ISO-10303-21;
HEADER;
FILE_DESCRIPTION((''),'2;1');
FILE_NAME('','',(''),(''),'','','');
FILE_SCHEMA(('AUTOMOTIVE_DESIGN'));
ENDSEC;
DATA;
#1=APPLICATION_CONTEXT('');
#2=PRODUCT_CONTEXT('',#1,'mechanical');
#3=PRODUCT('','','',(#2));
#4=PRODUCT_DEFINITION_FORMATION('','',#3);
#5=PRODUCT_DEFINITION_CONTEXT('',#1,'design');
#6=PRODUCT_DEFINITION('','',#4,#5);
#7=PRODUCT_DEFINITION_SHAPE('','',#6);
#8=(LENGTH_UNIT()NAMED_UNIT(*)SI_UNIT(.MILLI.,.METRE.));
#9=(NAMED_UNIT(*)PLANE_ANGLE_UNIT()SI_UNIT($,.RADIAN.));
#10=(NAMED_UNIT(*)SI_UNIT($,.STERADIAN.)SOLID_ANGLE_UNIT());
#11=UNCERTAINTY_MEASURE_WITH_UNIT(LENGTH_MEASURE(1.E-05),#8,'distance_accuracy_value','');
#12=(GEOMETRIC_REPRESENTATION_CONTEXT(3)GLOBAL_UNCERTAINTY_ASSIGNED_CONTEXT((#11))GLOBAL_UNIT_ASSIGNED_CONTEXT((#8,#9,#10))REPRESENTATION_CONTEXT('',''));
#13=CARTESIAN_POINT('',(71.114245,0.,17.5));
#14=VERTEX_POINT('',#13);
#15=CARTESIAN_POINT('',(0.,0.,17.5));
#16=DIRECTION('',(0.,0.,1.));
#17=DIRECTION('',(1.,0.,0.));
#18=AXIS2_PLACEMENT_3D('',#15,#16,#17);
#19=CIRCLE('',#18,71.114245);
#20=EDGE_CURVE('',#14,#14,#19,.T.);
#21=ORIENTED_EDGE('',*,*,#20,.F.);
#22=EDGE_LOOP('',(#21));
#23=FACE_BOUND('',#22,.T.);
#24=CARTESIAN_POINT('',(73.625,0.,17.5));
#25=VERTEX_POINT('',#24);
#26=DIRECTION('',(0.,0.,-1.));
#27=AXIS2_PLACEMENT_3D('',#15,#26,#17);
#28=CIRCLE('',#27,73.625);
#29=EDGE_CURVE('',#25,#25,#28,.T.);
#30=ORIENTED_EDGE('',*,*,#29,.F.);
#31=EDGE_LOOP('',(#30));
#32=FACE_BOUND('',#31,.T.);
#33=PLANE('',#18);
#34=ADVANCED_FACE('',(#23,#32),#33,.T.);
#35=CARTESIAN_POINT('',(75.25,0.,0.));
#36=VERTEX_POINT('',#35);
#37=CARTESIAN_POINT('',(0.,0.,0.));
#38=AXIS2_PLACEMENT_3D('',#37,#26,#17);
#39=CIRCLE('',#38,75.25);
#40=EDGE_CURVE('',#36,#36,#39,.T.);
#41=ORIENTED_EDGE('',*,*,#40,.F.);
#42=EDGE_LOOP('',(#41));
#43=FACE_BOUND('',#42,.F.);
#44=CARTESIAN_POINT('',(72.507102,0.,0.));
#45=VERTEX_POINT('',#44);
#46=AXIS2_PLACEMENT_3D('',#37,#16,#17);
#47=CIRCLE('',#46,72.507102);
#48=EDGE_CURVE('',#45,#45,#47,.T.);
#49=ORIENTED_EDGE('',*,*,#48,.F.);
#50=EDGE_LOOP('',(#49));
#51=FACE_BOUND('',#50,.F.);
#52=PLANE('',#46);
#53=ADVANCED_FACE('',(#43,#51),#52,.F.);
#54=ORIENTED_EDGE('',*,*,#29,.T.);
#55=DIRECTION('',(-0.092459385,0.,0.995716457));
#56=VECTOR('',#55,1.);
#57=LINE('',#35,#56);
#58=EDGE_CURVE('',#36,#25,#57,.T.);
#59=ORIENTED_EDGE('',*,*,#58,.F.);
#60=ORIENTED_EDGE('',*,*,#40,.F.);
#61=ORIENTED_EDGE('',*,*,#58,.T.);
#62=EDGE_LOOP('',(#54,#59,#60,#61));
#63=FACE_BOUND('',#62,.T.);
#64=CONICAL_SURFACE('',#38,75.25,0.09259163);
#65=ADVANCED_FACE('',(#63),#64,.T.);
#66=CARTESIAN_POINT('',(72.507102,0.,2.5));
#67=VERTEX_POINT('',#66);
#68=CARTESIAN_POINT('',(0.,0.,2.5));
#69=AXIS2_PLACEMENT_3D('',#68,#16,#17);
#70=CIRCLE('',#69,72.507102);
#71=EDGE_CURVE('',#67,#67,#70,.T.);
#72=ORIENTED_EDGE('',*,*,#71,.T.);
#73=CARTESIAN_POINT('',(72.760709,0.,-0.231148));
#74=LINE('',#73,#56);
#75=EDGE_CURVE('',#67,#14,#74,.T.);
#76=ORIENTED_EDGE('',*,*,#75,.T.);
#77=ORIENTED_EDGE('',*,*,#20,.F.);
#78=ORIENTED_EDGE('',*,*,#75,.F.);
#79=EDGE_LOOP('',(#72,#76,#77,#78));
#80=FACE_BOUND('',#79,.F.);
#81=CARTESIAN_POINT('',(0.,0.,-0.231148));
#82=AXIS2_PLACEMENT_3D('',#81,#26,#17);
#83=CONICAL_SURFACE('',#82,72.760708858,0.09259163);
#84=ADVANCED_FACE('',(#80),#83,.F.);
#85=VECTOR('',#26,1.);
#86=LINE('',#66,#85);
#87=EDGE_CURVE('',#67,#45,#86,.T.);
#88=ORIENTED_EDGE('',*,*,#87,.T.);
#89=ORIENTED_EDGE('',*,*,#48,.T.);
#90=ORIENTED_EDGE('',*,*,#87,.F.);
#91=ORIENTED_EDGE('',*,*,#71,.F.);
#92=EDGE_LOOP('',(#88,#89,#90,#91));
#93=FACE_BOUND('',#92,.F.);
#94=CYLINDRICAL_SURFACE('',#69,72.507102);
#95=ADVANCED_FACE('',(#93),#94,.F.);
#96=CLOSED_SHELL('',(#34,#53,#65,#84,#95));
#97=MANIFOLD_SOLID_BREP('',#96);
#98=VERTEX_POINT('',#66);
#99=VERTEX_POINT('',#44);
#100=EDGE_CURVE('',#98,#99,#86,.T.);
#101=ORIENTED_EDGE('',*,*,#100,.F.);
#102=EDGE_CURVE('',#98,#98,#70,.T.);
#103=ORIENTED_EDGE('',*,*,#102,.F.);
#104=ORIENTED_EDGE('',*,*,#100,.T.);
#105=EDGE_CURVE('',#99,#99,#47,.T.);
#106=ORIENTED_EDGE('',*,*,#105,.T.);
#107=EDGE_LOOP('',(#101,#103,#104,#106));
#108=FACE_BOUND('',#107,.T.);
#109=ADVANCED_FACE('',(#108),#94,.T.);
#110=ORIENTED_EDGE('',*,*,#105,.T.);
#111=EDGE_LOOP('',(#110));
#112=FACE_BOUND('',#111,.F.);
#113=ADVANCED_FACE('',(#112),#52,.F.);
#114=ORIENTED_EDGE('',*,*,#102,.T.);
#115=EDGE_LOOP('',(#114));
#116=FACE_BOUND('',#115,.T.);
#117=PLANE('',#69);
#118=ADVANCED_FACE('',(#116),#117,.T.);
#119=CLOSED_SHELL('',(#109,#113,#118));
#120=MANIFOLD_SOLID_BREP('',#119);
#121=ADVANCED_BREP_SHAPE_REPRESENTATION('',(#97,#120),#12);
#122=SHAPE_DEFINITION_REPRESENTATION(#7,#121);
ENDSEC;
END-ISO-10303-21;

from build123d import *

# Parameters (mm, degrees)
F8_R      = 75.25
F9_DEPTH  = 17.5
F9_TAPER  = 5.3051096062
F10_T     = -2.5
F11_R     = 72.5071022153
F12_DEPTH = 2.5
F13_DEPTH = 2.5


with BuildPart() as f9:
    # F8 (on Top) → F9 (new body)
    with BuildSketch(Plane.XY):
        Circle(F8_R)
    extrude(amount=F9_DEPTH, taper=F9_TAPER)

    # F10
    f10_openings = [f9.faces().sort_by_distance(p)[0] for p in [
        (0, 0, 17.5),
    ]]
    offset(amount=F10_T, openings=f10_openings)

    # F11 (on face) → F12 (cut, through all)
    with BuildSketch(Plane.XY.offset(2.5)):
        Circle(F11_R)
    extrude(amount=-F12_DEPTH, mode=Mode.SUBTRACT)


with BuildPart() as f13:
    # F11 (on face) → F13 (new body, through all)
    with BuildSketch(Plane.XY.offset(2.5)):
        Circle(F11_R)
    extrude(amount=-F13_DEPTH)


solid = Compound([f9.part, f13.part])
